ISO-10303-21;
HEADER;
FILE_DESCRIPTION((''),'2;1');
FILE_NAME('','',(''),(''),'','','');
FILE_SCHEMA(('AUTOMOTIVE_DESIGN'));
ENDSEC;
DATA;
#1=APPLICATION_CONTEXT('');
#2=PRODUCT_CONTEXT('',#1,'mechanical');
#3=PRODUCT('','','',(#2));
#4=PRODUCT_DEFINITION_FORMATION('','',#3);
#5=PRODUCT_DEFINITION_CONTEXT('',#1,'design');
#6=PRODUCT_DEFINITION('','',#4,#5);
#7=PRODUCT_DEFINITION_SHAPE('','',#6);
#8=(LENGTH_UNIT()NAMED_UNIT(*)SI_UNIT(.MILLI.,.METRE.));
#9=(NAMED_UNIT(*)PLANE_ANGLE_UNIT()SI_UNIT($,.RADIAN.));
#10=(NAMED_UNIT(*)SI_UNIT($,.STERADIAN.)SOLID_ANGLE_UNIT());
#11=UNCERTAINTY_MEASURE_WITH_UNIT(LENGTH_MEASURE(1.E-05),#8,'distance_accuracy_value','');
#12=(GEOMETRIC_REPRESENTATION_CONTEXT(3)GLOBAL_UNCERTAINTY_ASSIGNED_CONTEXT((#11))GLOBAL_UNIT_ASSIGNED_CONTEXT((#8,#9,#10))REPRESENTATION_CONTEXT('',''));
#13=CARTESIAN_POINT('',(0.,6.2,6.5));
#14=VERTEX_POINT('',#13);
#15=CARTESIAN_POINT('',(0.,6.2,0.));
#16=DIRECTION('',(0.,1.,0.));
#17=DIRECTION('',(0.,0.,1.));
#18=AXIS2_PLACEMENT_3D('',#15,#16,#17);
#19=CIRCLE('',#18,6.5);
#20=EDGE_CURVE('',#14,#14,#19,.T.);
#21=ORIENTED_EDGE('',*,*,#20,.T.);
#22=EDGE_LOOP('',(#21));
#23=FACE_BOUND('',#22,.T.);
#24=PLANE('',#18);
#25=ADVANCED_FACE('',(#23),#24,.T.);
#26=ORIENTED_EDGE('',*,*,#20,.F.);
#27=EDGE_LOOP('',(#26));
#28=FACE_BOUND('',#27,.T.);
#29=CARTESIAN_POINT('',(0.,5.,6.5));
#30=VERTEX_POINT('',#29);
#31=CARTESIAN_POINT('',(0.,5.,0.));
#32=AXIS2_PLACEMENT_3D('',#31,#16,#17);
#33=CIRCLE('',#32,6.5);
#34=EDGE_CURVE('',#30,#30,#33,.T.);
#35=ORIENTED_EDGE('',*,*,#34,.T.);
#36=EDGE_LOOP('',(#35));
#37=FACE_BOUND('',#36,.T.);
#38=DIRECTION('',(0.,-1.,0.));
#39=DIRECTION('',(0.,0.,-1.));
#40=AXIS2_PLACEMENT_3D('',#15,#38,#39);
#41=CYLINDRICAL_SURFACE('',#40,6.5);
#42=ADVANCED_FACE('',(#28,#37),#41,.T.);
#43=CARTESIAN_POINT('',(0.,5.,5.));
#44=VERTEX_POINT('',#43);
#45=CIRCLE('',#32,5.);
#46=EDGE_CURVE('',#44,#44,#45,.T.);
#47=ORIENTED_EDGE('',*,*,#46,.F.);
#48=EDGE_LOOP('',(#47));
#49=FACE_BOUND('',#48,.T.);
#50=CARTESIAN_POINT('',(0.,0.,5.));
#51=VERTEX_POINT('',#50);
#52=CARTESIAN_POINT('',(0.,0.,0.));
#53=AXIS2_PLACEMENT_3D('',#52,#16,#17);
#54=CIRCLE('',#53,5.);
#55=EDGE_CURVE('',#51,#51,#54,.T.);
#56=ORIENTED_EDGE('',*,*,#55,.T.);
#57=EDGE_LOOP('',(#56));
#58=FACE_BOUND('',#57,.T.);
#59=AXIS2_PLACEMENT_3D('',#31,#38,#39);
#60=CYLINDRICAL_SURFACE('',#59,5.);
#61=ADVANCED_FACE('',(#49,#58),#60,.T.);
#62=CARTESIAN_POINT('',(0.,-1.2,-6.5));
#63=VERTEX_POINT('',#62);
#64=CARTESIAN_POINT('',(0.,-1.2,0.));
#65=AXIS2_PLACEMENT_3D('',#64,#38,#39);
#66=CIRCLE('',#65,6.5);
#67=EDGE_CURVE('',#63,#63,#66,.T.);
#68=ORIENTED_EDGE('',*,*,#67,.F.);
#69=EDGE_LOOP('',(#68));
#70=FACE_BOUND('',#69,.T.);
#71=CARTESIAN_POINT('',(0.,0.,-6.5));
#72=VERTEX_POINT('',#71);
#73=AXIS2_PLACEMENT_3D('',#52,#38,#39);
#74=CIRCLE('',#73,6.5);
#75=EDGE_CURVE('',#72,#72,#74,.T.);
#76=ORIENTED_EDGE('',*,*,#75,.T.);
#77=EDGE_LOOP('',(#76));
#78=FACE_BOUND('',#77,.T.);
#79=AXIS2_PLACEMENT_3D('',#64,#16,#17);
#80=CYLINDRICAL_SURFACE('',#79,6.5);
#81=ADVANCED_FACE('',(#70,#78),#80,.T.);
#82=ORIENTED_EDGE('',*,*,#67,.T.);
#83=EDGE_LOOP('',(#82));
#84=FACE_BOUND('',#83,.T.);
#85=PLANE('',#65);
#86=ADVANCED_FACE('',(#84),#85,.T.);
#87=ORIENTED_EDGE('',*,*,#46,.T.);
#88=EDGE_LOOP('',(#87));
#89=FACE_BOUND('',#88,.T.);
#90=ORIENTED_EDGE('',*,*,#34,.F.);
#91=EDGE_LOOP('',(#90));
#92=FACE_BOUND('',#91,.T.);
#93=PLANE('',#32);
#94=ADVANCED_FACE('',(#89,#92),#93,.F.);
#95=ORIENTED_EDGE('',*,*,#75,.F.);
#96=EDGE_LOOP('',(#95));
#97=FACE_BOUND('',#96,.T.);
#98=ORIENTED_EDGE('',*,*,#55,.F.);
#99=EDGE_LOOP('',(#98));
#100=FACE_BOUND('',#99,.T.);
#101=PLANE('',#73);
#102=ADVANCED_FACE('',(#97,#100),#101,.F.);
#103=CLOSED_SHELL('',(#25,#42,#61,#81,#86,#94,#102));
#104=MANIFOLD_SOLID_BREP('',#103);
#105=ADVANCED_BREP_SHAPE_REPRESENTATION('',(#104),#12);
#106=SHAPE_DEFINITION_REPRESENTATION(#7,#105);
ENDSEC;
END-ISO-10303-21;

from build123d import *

# Parameters (mm, degrees)
SKETCH1_R           = 5
BOSS_EXTRUDE1_DEPTH = 5
SKETCH2_R           = 6.5
BOSS_EXTRUDE2_DEPTH = 1.2
BOSS_EXTRUDE3_START = 1.2
SKETCH3_R           = 6.5
BOSS_EXTRUDE3_DEPTH = 1.2


with BuildPart() as part:
    # Sketch1 → Boss-Extrude1 (new body)
    with BuildSketch(Plane(origin=(0, 0, 0), x_dir=(1, 0, 0), z_dir=(0, 1, 0))):
        with Locations(Location((0, 0, 0), (0, 0, 270))):
            Circle(SKETCH1_R)
    extrude(amount=BOSS_EXTRUDE1_DEPTH)

    # Sketch2 → Boss-Extrude2 (add)
    with BuildSketch(Plane(origin=(0, 5, 0), x_dir=(1, 0, 0), z_dir=(0, 1, 0))):
        with Locations(Location((0, 0, 0), (0, 0, 270))):
            Circle(SKETCH2_R)
    extrude(amount=BOSS_EXTRUDE2_DEPTH)

    # Sketch3 → Boss-Extrude3 (add)
    with BuildSketch(Plane.XZ.offset(BOSS_EXTRUDE3_START)):
        with Locations(Location((0, 0, 0), (0, 0, 90))):
            Circle(SKETCH3_R)
    extrude(amount=-BOSS_EXTRUDE3_DEPTH)


solid = part.part
